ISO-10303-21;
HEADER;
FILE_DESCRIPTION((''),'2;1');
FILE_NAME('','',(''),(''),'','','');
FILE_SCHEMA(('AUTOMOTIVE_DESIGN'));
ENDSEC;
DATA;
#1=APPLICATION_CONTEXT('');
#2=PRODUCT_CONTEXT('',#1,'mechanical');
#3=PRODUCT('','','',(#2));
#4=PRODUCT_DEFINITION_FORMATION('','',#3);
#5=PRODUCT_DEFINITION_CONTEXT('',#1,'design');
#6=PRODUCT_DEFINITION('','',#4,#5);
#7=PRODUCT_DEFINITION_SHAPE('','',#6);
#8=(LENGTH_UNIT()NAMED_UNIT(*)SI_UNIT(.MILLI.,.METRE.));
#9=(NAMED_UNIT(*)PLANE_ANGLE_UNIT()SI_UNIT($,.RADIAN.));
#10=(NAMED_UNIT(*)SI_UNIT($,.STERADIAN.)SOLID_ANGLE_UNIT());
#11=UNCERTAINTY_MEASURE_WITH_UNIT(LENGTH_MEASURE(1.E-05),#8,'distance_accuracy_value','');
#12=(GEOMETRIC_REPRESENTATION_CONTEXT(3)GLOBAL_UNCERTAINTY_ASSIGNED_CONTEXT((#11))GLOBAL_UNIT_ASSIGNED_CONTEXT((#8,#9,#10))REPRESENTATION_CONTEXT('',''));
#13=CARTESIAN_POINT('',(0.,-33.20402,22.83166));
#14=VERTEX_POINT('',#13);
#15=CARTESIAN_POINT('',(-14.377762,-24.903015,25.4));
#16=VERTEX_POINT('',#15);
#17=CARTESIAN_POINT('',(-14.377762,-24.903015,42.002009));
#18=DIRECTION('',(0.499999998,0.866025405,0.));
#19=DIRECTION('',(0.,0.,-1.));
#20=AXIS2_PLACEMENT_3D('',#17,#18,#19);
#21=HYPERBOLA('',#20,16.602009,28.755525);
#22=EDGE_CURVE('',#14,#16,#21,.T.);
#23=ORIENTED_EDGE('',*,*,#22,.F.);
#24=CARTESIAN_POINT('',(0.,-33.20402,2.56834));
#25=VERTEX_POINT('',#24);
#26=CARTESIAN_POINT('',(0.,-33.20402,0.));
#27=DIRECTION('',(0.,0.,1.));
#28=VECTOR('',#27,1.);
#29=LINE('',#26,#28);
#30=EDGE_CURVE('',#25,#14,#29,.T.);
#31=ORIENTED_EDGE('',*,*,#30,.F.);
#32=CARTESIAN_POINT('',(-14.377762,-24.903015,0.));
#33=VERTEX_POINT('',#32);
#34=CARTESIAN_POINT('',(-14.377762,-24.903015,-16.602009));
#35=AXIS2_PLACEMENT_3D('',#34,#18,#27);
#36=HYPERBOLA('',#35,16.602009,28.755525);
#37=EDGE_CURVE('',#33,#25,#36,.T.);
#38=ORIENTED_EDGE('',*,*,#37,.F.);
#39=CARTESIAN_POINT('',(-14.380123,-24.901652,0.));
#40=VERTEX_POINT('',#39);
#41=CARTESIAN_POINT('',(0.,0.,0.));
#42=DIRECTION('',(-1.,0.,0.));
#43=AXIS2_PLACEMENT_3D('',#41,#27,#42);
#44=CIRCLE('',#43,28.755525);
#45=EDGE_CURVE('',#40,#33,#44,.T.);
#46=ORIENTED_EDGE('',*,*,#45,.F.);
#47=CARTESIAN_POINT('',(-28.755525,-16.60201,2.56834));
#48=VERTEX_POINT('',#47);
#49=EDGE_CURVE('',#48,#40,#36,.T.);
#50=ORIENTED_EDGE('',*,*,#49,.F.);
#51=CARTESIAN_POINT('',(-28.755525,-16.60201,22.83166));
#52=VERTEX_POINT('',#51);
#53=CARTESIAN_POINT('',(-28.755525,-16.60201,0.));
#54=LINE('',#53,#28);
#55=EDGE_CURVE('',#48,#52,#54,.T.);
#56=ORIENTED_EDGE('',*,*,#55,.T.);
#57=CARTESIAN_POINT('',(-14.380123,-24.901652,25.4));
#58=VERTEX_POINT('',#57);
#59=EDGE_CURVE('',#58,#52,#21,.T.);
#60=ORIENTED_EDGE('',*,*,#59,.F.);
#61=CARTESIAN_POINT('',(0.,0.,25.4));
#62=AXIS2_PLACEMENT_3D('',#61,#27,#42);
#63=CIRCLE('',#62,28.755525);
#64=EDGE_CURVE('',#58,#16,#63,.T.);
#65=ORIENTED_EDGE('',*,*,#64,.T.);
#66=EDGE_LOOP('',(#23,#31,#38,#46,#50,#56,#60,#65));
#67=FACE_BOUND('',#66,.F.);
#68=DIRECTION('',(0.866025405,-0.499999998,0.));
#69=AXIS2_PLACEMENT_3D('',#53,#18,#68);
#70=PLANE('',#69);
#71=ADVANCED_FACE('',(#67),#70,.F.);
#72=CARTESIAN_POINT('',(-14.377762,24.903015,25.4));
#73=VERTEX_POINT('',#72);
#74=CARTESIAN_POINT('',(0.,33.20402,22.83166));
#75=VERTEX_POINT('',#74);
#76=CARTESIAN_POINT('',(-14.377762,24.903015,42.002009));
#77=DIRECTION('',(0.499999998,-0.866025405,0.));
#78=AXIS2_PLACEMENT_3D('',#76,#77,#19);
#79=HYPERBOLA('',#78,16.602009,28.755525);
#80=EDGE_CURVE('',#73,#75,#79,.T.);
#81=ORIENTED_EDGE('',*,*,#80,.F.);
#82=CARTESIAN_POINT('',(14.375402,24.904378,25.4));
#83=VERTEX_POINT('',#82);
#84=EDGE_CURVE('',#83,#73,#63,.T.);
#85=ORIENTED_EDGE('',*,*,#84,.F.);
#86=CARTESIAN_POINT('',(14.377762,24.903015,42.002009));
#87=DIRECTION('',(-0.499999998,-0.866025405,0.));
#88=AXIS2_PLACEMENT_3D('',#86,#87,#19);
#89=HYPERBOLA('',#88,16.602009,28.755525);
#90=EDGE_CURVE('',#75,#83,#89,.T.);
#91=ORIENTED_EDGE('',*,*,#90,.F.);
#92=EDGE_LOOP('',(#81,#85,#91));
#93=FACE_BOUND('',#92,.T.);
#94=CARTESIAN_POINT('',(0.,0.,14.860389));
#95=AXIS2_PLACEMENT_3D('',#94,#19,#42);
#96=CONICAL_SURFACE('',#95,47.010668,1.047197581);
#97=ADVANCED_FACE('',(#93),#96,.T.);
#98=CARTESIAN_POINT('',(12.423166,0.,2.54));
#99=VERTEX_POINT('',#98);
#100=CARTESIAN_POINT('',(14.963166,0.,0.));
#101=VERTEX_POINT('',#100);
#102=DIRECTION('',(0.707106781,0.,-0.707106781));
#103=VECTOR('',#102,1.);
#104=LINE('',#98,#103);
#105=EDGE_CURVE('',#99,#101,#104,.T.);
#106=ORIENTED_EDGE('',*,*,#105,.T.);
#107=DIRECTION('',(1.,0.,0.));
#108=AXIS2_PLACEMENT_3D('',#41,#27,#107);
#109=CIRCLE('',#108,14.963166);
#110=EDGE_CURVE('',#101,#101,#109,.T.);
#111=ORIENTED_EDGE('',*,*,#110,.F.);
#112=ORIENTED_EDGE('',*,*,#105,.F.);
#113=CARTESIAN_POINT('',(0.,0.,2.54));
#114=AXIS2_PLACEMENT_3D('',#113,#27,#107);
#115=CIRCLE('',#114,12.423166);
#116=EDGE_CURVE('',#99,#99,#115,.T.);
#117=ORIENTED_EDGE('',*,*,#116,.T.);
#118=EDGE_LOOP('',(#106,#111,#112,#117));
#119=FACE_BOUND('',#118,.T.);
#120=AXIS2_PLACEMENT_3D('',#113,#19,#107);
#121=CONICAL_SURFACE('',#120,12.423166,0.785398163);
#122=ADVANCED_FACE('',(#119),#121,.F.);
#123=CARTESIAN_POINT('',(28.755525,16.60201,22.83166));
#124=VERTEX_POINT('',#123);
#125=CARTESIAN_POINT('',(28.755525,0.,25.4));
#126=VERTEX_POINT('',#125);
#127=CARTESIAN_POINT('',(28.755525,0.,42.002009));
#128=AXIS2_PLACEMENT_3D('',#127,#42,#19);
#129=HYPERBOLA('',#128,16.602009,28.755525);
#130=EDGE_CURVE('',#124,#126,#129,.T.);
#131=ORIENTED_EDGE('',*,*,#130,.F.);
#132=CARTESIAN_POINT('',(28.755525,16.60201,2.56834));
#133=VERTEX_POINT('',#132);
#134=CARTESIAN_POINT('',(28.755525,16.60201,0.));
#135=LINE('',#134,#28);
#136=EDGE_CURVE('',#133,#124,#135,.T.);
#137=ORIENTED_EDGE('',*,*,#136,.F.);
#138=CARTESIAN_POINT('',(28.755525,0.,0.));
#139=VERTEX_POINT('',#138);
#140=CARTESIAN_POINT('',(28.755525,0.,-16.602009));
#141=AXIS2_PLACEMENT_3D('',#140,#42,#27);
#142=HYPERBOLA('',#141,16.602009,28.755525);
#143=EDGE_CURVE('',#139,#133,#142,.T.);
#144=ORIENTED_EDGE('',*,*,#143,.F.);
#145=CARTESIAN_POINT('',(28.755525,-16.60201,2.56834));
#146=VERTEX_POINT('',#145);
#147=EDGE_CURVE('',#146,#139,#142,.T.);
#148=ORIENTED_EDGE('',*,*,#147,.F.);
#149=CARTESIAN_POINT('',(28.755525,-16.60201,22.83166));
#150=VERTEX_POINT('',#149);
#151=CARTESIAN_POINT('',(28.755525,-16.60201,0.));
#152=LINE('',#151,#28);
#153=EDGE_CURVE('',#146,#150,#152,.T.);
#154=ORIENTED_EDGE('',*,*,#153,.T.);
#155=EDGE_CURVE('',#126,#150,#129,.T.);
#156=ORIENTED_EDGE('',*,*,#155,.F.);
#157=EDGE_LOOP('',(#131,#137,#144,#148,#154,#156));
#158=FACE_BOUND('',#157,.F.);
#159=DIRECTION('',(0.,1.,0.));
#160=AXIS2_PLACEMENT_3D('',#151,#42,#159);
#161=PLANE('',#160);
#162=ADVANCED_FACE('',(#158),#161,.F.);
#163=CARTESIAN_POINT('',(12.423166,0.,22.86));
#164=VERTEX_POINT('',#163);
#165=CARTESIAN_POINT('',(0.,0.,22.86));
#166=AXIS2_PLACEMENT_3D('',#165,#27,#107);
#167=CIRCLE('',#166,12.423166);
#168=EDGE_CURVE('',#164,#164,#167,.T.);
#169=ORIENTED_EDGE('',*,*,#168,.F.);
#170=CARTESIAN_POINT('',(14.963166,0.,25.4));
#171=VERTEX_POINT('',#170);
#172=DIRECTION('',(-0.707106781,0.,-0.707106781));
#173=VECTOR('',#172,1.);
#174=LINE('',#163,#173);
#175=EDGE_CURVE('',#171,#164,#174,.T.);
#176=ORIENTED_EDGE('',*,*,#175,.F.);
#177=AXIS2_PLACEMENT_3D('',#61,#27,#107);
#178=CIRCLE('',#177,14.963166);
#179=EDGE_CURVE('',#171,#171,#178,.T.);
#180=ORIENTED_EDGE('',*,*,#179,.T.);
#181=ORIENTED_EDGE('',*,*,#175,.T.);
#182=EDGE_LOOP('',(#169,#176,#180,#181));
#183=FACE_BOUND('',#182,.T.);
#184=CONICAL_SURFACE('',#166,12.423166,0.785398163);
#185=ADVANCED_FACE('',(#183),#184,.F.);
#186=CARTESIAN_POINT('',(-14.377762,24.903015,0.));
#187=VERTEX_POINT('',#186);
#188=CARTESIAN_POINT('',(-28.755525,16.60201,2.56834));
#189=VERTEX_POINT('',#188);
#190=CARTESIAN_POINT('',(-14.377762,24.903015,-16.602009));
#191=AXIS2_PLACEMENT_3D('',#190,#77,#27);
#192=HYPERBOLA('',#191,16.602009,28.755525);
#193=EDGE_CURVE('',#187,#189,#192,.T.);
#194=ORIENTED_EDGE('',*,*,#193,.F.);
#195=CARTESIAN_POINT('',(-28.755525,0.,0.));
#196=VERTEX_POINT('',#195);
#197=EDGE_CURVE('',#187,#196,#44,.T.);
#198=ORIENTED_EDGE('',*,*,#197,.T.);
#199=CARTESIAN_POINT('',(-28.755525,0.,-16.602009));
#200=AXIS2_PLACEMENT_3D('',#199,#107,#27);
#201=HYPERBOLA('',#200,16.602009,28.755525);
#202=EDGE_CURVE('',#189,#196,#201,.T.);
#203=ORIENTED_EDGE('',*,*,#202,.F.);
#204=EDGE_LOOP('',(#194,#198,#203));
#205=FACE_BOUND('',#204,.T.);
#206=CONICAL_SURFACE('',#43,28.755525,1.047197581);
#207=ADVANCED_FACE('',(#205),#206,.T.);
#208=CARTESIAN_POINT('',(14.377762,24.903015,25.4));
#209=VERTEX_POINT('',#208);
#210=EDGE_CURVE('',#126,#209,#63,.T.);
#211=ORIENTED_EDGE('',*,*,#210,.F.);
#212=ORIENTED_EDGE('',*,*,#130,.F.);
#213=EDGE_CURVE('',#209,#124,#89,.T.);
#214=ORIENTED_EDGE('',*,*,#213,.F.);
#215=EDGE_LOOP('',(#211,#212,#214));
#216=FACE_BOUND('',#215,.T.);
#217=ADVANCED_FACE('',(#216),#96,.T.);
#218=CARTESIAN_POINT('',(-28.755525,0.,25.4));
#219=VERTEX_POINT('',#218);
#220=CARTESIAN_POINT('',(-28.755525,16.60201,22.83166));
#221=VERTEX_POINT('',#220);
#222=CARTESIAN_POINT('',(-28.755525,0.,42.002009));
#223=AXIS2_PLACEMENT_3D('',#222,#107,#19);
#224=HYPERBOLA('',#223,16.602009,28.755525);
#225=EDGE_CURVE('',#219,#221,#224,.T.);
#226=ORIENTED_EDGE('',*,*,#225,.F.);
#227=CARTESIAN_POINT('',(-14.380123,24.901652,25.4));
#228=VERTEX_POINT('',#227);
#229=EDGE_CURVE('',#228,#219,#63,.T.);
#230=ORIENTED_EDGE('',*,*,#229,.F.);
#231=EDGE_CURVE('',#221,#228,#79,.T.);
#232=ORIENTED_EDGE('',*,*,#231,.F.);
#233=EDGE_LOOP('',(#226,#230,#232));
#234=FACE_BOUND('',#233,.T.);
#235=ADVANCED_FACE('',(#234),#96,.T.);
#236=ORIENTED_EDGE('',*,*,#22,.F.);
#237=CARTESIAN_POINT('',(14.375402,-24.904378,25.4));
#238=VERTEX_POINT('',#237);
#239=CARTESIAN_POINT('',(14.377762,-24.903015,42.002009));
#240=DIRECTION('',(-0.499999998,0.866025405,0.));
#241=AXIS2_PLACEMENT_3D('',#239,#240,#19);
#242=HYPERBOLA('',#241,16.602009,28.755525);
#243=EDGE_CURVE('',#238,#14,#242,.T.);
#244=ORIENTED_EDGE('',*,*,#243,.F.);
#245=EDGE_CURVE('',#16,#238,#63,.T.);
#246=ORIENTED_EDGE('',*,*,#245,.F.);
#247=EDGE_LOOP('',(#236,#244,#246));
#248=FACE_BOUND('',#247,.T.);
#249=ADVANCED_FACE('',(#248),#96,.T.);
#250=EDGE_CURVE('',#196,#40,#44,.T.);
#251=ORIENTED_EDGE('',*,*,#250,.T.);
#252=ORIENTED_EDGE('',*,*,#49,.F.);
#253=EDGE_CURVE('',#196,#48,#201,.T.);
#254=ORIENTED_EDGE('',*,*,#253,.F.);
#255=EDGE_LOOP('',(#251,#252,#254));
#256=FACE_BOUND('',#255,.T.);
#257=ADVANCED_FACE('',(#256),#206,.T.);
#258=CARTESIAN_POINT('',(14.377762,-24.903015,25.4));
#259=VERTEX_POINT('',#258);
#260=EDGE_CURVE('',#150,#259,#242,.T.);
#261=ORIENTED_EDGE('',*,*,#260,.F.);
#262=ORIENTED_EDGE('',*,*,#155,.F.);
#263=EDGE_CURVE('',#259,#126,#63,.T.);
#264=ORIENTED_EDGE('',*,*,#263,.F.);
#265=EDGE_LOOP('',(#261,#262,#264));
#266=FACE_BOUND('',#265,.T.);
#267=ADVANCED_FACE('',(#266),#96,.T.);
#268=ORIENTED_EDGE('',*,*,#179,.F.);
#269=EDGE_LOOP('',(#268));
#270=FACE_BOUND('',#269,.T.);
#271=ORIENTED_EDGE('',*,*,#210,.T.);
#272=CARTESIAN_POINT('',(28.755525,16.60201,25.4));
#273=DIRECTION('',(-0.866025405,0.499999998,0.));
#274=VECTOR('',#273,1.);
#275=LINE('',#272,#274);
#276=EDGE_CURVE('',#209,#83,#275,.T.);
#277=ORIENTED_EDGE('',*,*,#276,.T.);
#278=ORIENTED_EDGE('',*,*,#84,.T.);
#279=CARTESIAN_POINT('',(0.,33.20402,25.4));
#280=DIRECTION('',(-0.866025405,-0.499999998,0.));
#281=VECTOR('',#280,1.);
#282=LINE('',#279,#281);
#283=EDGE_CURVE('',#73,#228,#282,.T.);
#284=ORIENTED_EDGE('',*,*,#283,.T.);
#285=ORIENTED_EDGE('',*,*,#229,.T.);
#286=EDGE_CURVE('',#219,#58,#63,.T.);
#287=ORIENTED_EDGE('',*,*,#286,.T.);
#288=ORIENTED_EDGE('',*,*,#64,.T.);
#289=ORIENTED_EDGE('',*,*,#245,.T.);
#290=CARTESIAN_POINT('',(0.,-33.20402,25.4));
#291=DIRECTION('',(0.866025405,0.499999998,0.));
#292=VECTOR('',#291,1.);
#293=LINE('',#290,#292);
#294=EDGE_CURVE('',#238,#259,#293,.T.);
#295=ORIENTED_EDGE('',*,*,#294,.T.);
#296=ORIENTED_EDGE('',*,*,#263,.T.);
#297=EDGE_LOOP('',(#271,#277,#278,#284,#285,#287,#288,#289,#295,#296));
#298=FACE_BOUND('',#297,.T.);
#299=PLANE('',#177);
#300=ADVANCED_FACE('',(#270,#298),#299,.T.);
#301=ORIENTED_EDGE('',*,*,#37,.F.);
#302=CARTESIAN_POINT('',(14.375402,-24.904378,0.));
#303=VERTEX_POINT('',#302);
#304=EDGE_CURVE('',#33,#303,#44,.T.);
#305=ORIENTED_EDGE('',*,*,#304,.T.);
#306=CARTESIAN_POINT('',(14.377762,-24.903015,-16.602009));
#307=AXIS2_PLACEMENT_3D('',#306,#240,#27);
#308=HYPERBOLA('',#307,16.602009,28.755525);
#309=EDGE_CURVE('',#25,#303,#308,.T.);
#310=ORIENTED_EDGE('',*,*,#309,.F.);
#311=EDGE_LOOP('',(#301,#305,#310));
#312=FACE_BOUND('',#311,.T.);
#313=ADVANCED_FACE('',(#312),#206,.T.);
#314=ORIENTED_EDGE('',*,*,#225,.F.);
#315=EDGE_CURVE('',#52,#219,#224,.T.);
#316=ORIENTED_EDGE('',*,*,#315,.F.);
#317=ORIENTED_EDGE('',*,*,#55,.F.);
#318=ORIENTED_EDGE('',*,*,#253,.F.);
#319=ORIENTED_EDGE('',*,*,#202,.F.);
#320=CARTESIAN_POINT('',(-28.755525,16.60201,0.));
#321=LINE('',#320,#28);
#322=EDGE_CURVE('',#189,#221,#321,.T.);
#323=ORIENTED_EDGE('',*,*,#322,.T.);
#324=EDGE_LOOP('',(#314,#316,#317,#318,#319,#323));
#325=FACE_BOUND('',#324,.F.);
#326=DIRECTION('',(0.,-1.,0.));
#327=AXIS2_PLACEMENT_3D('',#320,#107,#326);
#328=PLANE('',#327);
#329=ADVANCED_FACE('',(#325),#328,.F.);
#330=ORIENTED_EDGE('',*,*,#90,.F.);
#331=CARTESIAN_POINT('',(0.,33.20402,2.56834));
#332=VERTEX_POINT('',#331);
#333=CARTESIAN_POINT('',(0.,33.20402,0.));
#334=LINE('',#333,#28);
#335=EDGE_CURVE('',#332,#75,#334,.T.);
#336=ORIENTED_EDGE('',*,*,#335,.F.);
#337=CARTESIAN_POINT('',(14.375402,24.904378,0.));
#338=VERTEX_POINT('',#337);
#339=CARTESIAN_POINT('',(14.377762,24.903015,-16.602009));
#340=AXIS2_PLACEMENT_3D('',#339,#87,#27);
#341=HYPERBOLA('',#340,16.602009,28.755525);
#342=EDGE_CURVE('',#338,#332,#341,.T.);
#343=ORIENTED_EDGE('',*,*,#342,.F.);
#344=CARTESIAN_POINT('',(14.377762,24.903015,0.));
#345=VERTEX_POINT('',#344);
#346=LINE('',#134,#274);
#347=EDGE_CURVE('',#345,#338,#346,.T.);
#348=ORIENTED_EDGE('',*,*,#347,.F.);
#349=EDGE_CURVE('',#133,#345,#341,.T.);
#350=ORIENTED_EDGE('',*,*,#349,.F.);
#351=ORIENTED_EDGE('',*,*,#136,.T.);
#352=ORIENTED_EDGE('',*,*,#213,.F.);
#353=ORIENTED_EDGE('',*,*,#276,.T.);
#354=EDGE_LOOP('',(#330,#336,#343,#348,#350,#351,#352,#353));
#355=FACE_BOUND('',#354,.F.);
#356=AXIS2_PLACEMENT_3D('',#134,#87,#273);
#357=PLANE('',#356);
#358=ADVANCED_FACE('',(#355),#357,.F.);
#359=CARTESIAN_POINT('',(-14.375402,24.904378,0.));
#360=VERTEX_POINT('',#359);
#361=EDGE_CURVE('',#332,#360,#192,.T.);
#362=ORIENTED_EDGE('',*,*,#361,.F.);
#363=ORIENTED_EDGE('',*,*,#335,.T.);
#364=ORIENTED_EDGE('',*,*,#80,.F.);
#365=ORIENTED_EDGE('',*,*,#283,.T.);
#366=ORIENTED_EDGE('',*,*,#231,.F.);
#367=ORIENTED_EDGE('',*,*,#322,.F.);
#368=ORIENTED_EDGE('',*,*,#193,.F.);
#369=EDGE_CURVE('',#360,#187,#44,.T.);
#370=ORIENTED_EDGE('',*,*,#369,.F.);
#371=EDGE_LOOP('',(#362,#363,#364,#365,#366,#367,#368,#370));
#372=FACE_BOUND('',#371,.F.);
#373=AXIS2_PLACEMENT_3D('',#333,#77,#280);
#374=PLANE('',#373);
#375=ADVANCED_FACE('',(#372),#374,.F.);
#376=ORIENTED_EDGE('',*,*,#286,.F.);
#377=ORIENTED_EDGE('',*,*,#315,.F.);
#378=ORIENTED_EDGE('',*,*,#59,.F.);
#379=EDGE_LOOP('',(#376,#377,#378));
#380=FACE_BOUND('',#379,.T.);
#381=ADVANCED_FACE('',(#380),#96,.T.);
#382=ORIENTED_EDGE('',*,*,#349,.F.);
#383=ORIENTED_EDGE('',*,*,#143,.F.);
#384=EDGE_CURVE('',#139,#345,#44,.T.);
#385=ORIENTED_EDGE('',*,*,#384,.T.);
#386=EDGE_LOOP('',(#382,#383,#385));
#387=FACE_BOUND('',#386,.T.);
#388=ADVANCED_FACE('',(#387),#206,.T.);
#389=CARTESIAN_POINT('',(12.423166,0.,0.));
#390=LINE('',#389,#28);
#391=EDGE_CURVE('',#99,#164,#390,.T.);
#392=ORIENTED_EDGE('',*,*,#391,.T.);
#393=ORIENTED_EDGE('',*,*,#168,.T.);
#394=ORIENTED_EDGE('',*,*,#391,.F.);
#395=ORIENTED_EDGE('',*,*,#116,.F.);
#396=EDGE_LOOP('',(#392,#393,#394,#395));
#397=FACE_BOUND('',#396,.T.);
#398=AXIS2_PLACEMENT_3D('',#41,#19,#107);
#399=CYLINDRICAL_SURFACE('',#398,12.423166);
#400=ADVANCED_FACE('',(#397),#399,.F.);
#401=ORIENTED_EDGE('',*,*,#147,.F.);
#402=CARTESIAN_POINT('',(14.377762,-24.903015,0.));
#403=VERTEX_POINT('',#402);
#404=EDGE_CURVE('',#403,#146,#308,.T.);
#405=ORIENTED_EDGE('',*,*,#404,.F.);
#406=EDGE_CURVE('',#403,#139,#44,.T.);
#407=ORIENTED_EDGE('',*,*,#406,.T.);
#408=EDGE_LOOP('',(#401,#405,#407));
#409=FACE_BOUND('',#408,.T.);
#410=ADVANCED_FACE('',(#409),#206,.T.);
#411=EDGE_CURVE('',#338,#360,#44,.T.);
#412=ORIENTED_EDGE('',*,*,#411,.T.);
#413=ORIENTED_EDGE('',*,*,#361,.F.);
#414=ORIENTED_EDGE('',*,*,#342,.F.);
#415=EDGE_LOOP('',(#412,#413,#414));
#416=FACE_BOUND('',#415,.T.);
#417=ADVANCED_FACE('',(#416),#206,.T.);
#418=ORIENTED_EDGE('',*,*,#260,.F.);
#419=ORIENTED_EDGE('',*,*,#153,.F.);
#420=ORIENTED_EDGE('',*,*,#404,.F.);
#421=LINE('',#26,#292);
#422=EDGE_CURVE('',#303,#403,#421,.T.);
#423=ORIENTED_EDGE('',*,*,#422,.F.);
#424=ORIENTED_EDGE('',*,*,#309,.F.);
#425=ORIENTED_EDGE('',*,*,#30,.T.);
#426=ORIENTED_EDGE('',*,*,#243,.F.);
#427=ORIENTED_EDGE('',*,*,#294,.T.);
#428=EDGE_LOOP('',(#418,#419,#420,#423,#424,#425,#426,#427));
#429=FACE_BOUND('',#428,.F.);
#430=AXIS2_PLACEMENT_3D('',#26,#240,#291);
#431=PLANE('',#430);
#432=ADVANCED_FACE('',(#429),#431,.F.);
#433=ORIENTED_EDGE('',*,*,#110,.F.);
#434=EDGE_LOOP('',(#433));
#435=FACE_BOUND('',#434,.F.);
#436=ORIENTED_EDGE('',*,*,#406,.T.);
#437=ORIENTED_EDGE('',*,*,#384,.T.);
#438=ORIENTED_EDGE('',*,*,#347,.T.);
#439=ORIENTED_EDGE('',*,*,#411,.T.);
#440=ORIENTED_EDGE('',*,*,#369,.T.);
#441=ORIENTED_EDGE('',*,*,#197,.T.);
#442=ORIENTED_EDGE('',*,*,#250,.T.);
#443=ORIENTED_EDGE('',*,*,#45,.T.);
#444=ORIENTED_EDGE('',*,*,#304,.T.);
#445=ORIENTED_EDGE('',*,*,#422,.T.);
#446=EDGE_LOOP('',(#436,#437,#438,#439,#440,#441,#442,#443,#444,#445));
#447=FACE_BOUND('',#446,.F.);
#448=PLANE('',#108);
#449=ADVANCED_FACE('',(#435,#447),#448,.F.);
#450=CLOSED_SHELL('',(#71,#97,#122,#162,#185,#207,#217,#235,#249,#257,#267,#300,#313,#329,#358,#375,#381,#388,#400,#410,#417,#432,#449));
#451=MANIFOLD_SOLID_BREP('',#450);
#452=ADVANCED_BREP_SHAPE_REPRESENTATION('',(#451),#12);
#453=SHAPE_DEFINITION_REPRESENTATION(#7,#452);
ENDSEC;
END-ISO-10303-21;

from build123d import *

# Parameters (mm, degrees)
F0_R     = 12.423166
F1_DEPTH = 25.4
F4_SIZE  = 2.54
F5_SIZE  = 2.54


with BuildPart() as f1:
    # F0 (on Top) → F1 (new body)
    with BuildSketch(Plane.XY):
        Polygon((-28.755525, 16.60201), (-28.755525, -16.60201), (0, -33.20402), (28.755525, -16.60201), (28.755525, 16.60201), (0, 33.20402), align=None)
        Circle(F0_R, mode=Mode.SUBTRACT)
    extrude(amount=F1_DEPTH)

    # F2 (on Front) → F3 (revolve, cut)
    with BuildSketch(Plane.XZ):
        Polygon((-47.010668, 14.860389), (-28.755525, 25.4), (-47.010668, 25.4), align=None)
        Polygon((-47.010668, 0), (-28.755525, 0), (-47.010668, 10.539611), align=None)
    revolve(axis=Axis((0, 0, 12.7), (0, 0, 1)), mode=Mode.SUBTRACT)

    # F4
    f4_edges = [f1.edges().sort_by_distance(p)[0] for p in [
        (-12.423166, 0, 25.4),
    ]]
    chamfer(f4_edges, length=F4_SIZE)

    # F5
    f5_edges = [f1.edges().sort_by_distance(p)[0] for p in [
        (-12.423166, 0, 0),
    ]]
    chamfer(f5_edges, length=F5_SIZE)


solid = f1.part
